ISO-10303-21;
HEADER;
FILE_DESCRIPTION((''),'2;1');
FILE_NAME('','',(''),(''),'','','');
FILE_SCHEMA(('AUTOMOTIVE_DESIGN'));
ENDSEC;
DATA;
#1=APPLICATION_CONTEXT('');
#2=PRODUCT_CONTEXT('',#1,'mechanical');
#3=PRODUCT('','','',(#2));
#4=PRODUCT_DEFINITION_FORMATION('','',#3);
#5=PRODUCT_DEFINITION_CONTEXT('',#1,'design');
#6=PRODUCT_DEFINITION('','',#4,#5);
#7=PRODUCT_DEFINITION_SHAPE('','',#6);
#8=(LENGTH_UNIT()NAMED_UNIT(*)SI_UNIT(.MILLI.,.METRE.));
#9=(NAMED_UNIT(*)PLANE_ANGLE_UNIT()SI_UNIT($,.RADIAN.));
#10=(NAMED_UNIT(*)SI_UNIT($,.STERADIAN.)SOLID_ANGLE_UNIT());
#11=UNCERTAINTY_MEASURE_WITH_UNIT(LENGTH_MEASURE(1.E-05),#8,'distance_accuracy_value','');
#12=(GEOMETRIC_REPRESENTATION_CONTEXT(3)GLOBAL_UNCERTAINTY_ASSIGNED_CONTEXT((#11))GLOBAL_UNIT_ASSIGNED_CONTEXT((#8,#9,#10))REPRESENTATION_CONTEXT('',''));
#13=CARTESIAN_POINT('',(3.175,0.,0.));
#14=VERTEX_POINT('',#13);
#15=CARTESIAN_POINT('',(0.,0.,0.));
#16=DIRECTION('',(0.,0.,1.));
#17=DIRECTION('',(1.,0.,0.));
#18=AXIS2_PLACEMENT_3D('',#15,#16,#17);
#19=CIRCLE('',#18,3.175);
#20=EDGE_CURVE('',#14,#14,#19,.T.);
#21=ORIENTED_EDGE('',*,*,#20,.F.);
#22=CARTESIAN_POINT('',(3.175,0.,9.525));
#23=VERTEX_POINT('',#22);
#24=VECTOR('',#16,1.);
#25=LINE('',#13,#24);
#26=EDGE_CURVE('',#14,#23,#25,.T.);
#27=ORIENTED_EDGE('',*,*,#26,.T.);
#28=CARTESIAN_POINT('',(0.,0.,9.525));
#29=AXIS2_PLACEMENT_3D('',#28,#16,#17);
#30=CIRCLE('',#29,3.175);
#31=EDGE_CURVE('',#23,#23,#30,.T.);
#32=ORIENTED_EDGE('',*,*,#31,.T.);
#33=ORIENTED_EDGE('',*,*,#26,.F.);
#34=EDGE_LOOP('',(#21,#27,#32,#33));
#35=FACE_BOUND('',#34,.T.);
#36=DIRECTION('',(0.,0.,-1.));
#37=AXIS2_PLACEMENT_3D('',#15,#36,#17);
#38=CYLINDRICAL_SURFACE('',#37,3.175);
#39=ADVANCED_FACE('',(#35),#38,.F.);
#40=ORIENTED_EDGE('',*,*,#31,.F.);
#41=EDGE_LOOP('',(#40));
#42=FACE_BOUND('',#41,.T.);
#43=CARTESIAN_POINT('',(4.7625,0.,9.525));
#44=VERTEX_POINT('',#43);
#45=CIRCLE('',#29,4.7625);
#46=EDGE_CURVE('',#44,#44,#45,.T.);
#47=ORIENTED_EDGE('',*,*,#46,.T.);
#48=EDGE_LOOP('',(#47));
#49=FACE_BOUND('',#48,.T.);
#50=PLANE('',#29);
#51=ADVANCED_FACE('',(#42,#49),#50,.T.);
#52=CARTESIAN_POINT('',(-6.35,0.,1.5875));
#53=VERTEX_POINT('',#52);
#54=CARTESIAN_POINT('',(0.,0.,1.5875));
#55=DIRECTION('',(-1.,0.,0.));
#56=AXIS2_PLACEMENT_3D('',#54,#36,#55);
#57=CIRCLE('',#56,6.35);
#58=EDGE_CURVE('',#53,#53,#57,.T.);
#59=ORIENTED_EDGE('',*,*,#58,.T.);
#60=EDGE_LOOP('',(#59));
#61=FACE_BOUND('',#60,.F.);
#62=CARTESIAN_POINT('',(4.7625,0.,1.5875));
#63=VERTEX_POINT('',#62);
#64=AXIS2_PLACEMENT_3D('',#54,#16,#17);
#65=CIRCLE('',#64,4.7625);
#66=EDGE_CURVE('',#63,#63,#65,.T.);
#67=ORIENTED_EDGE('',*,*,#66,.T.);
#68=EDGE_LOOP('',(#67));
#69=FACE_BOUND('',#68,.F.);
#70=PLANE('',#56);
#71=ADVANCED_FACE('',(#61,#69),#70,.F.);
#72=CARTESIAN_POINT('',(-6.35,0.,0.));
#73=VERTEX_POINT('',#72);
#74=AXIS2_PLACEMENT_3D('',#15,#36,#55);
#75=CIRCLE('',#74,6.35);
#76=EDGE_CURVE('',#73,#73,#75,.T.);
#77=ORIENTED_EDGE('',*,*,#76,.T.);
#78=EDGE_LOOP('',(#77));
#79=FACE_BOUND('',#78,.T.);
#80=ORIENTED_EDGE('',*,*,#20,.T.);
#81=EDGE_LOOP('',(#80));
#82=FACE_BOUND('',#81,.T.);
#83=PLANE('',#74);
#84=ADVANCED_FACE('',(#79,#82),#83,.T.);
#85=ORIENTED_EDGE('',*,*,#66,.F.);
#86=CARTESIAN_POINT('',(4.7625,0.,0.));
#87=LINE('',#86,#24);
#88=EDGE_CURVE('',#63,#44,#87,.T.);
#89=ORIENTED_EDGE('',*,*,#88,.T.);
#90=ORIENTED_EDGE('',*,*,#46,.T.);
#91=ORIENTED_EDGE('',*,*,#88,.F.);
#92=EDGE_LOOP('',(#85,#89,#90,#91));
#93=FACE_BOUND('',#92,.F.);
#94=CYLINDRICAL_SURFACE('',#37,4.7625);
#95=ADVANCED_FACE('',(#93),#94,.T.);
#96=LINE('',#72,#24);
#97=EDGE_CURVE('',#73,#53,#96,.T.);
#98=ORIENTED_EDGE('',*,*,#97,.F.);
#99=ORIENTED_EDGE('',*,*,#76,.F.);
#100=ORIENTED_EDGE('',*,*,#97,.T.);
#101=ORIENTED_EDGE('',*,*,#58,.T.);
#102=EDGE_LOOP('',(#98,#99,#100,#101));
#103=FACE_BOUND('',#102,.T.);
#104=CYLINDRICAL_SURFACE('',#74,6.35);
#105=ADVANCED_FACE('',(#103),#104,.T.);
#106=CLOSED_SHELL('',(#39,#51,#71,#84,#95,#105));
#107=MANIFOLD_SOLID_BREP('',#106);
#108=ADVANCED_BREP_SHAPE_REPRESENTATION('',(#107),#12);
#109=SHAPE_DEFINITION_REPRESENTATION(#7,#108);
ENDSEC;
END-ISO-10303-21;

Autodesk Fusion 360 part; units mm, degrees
sketch "Sketch1" plane through (0, 0, 0) normal (0, 0, 1) x (1, 0, 0)
  circle A0 centre (0, 0) radius 3.175
  circle A1 centre (0, 0) radius 4.7625
  dimension "d1" = 6.35
  dimension "d2" = 9.525
extrude "Extrude1" add sketch "Sketch1" along normal blind 9.525
sketch "Sketch2" plane through (0, 0, 0) normal (0, 0, -1) x (-1, 0, 0)
  circle A0 centre (0, 0) radius 4.7625
  circle A1 centre (0, 0) radius 6.35
  circle A2 centre (0, 0) radius 3.175
  dimension "d5" = 12.7
extrude "Extrude2" add sketch "Sketch2" against normal blind 1.5875 contours A1
equation "d1 = Shaft_ID"
equation "d2 = Housing_ID"
equation "d3 = Length"
equation "d5 = Flange_OD"
equation "d6 = FlangeT"
equation "Shaft_ID = ( 1 / 4 ) * 1 in"
equation "Housing_ID = ( 3 / 8 ) * 1 in"
equation "FlangeT = ( -1 / 16 ) * 1 in"
equation "Length = ( 3 / 8 ) * 1 in"
equation "Flange_OD = ( 1 / 2 ) * 1 in"
